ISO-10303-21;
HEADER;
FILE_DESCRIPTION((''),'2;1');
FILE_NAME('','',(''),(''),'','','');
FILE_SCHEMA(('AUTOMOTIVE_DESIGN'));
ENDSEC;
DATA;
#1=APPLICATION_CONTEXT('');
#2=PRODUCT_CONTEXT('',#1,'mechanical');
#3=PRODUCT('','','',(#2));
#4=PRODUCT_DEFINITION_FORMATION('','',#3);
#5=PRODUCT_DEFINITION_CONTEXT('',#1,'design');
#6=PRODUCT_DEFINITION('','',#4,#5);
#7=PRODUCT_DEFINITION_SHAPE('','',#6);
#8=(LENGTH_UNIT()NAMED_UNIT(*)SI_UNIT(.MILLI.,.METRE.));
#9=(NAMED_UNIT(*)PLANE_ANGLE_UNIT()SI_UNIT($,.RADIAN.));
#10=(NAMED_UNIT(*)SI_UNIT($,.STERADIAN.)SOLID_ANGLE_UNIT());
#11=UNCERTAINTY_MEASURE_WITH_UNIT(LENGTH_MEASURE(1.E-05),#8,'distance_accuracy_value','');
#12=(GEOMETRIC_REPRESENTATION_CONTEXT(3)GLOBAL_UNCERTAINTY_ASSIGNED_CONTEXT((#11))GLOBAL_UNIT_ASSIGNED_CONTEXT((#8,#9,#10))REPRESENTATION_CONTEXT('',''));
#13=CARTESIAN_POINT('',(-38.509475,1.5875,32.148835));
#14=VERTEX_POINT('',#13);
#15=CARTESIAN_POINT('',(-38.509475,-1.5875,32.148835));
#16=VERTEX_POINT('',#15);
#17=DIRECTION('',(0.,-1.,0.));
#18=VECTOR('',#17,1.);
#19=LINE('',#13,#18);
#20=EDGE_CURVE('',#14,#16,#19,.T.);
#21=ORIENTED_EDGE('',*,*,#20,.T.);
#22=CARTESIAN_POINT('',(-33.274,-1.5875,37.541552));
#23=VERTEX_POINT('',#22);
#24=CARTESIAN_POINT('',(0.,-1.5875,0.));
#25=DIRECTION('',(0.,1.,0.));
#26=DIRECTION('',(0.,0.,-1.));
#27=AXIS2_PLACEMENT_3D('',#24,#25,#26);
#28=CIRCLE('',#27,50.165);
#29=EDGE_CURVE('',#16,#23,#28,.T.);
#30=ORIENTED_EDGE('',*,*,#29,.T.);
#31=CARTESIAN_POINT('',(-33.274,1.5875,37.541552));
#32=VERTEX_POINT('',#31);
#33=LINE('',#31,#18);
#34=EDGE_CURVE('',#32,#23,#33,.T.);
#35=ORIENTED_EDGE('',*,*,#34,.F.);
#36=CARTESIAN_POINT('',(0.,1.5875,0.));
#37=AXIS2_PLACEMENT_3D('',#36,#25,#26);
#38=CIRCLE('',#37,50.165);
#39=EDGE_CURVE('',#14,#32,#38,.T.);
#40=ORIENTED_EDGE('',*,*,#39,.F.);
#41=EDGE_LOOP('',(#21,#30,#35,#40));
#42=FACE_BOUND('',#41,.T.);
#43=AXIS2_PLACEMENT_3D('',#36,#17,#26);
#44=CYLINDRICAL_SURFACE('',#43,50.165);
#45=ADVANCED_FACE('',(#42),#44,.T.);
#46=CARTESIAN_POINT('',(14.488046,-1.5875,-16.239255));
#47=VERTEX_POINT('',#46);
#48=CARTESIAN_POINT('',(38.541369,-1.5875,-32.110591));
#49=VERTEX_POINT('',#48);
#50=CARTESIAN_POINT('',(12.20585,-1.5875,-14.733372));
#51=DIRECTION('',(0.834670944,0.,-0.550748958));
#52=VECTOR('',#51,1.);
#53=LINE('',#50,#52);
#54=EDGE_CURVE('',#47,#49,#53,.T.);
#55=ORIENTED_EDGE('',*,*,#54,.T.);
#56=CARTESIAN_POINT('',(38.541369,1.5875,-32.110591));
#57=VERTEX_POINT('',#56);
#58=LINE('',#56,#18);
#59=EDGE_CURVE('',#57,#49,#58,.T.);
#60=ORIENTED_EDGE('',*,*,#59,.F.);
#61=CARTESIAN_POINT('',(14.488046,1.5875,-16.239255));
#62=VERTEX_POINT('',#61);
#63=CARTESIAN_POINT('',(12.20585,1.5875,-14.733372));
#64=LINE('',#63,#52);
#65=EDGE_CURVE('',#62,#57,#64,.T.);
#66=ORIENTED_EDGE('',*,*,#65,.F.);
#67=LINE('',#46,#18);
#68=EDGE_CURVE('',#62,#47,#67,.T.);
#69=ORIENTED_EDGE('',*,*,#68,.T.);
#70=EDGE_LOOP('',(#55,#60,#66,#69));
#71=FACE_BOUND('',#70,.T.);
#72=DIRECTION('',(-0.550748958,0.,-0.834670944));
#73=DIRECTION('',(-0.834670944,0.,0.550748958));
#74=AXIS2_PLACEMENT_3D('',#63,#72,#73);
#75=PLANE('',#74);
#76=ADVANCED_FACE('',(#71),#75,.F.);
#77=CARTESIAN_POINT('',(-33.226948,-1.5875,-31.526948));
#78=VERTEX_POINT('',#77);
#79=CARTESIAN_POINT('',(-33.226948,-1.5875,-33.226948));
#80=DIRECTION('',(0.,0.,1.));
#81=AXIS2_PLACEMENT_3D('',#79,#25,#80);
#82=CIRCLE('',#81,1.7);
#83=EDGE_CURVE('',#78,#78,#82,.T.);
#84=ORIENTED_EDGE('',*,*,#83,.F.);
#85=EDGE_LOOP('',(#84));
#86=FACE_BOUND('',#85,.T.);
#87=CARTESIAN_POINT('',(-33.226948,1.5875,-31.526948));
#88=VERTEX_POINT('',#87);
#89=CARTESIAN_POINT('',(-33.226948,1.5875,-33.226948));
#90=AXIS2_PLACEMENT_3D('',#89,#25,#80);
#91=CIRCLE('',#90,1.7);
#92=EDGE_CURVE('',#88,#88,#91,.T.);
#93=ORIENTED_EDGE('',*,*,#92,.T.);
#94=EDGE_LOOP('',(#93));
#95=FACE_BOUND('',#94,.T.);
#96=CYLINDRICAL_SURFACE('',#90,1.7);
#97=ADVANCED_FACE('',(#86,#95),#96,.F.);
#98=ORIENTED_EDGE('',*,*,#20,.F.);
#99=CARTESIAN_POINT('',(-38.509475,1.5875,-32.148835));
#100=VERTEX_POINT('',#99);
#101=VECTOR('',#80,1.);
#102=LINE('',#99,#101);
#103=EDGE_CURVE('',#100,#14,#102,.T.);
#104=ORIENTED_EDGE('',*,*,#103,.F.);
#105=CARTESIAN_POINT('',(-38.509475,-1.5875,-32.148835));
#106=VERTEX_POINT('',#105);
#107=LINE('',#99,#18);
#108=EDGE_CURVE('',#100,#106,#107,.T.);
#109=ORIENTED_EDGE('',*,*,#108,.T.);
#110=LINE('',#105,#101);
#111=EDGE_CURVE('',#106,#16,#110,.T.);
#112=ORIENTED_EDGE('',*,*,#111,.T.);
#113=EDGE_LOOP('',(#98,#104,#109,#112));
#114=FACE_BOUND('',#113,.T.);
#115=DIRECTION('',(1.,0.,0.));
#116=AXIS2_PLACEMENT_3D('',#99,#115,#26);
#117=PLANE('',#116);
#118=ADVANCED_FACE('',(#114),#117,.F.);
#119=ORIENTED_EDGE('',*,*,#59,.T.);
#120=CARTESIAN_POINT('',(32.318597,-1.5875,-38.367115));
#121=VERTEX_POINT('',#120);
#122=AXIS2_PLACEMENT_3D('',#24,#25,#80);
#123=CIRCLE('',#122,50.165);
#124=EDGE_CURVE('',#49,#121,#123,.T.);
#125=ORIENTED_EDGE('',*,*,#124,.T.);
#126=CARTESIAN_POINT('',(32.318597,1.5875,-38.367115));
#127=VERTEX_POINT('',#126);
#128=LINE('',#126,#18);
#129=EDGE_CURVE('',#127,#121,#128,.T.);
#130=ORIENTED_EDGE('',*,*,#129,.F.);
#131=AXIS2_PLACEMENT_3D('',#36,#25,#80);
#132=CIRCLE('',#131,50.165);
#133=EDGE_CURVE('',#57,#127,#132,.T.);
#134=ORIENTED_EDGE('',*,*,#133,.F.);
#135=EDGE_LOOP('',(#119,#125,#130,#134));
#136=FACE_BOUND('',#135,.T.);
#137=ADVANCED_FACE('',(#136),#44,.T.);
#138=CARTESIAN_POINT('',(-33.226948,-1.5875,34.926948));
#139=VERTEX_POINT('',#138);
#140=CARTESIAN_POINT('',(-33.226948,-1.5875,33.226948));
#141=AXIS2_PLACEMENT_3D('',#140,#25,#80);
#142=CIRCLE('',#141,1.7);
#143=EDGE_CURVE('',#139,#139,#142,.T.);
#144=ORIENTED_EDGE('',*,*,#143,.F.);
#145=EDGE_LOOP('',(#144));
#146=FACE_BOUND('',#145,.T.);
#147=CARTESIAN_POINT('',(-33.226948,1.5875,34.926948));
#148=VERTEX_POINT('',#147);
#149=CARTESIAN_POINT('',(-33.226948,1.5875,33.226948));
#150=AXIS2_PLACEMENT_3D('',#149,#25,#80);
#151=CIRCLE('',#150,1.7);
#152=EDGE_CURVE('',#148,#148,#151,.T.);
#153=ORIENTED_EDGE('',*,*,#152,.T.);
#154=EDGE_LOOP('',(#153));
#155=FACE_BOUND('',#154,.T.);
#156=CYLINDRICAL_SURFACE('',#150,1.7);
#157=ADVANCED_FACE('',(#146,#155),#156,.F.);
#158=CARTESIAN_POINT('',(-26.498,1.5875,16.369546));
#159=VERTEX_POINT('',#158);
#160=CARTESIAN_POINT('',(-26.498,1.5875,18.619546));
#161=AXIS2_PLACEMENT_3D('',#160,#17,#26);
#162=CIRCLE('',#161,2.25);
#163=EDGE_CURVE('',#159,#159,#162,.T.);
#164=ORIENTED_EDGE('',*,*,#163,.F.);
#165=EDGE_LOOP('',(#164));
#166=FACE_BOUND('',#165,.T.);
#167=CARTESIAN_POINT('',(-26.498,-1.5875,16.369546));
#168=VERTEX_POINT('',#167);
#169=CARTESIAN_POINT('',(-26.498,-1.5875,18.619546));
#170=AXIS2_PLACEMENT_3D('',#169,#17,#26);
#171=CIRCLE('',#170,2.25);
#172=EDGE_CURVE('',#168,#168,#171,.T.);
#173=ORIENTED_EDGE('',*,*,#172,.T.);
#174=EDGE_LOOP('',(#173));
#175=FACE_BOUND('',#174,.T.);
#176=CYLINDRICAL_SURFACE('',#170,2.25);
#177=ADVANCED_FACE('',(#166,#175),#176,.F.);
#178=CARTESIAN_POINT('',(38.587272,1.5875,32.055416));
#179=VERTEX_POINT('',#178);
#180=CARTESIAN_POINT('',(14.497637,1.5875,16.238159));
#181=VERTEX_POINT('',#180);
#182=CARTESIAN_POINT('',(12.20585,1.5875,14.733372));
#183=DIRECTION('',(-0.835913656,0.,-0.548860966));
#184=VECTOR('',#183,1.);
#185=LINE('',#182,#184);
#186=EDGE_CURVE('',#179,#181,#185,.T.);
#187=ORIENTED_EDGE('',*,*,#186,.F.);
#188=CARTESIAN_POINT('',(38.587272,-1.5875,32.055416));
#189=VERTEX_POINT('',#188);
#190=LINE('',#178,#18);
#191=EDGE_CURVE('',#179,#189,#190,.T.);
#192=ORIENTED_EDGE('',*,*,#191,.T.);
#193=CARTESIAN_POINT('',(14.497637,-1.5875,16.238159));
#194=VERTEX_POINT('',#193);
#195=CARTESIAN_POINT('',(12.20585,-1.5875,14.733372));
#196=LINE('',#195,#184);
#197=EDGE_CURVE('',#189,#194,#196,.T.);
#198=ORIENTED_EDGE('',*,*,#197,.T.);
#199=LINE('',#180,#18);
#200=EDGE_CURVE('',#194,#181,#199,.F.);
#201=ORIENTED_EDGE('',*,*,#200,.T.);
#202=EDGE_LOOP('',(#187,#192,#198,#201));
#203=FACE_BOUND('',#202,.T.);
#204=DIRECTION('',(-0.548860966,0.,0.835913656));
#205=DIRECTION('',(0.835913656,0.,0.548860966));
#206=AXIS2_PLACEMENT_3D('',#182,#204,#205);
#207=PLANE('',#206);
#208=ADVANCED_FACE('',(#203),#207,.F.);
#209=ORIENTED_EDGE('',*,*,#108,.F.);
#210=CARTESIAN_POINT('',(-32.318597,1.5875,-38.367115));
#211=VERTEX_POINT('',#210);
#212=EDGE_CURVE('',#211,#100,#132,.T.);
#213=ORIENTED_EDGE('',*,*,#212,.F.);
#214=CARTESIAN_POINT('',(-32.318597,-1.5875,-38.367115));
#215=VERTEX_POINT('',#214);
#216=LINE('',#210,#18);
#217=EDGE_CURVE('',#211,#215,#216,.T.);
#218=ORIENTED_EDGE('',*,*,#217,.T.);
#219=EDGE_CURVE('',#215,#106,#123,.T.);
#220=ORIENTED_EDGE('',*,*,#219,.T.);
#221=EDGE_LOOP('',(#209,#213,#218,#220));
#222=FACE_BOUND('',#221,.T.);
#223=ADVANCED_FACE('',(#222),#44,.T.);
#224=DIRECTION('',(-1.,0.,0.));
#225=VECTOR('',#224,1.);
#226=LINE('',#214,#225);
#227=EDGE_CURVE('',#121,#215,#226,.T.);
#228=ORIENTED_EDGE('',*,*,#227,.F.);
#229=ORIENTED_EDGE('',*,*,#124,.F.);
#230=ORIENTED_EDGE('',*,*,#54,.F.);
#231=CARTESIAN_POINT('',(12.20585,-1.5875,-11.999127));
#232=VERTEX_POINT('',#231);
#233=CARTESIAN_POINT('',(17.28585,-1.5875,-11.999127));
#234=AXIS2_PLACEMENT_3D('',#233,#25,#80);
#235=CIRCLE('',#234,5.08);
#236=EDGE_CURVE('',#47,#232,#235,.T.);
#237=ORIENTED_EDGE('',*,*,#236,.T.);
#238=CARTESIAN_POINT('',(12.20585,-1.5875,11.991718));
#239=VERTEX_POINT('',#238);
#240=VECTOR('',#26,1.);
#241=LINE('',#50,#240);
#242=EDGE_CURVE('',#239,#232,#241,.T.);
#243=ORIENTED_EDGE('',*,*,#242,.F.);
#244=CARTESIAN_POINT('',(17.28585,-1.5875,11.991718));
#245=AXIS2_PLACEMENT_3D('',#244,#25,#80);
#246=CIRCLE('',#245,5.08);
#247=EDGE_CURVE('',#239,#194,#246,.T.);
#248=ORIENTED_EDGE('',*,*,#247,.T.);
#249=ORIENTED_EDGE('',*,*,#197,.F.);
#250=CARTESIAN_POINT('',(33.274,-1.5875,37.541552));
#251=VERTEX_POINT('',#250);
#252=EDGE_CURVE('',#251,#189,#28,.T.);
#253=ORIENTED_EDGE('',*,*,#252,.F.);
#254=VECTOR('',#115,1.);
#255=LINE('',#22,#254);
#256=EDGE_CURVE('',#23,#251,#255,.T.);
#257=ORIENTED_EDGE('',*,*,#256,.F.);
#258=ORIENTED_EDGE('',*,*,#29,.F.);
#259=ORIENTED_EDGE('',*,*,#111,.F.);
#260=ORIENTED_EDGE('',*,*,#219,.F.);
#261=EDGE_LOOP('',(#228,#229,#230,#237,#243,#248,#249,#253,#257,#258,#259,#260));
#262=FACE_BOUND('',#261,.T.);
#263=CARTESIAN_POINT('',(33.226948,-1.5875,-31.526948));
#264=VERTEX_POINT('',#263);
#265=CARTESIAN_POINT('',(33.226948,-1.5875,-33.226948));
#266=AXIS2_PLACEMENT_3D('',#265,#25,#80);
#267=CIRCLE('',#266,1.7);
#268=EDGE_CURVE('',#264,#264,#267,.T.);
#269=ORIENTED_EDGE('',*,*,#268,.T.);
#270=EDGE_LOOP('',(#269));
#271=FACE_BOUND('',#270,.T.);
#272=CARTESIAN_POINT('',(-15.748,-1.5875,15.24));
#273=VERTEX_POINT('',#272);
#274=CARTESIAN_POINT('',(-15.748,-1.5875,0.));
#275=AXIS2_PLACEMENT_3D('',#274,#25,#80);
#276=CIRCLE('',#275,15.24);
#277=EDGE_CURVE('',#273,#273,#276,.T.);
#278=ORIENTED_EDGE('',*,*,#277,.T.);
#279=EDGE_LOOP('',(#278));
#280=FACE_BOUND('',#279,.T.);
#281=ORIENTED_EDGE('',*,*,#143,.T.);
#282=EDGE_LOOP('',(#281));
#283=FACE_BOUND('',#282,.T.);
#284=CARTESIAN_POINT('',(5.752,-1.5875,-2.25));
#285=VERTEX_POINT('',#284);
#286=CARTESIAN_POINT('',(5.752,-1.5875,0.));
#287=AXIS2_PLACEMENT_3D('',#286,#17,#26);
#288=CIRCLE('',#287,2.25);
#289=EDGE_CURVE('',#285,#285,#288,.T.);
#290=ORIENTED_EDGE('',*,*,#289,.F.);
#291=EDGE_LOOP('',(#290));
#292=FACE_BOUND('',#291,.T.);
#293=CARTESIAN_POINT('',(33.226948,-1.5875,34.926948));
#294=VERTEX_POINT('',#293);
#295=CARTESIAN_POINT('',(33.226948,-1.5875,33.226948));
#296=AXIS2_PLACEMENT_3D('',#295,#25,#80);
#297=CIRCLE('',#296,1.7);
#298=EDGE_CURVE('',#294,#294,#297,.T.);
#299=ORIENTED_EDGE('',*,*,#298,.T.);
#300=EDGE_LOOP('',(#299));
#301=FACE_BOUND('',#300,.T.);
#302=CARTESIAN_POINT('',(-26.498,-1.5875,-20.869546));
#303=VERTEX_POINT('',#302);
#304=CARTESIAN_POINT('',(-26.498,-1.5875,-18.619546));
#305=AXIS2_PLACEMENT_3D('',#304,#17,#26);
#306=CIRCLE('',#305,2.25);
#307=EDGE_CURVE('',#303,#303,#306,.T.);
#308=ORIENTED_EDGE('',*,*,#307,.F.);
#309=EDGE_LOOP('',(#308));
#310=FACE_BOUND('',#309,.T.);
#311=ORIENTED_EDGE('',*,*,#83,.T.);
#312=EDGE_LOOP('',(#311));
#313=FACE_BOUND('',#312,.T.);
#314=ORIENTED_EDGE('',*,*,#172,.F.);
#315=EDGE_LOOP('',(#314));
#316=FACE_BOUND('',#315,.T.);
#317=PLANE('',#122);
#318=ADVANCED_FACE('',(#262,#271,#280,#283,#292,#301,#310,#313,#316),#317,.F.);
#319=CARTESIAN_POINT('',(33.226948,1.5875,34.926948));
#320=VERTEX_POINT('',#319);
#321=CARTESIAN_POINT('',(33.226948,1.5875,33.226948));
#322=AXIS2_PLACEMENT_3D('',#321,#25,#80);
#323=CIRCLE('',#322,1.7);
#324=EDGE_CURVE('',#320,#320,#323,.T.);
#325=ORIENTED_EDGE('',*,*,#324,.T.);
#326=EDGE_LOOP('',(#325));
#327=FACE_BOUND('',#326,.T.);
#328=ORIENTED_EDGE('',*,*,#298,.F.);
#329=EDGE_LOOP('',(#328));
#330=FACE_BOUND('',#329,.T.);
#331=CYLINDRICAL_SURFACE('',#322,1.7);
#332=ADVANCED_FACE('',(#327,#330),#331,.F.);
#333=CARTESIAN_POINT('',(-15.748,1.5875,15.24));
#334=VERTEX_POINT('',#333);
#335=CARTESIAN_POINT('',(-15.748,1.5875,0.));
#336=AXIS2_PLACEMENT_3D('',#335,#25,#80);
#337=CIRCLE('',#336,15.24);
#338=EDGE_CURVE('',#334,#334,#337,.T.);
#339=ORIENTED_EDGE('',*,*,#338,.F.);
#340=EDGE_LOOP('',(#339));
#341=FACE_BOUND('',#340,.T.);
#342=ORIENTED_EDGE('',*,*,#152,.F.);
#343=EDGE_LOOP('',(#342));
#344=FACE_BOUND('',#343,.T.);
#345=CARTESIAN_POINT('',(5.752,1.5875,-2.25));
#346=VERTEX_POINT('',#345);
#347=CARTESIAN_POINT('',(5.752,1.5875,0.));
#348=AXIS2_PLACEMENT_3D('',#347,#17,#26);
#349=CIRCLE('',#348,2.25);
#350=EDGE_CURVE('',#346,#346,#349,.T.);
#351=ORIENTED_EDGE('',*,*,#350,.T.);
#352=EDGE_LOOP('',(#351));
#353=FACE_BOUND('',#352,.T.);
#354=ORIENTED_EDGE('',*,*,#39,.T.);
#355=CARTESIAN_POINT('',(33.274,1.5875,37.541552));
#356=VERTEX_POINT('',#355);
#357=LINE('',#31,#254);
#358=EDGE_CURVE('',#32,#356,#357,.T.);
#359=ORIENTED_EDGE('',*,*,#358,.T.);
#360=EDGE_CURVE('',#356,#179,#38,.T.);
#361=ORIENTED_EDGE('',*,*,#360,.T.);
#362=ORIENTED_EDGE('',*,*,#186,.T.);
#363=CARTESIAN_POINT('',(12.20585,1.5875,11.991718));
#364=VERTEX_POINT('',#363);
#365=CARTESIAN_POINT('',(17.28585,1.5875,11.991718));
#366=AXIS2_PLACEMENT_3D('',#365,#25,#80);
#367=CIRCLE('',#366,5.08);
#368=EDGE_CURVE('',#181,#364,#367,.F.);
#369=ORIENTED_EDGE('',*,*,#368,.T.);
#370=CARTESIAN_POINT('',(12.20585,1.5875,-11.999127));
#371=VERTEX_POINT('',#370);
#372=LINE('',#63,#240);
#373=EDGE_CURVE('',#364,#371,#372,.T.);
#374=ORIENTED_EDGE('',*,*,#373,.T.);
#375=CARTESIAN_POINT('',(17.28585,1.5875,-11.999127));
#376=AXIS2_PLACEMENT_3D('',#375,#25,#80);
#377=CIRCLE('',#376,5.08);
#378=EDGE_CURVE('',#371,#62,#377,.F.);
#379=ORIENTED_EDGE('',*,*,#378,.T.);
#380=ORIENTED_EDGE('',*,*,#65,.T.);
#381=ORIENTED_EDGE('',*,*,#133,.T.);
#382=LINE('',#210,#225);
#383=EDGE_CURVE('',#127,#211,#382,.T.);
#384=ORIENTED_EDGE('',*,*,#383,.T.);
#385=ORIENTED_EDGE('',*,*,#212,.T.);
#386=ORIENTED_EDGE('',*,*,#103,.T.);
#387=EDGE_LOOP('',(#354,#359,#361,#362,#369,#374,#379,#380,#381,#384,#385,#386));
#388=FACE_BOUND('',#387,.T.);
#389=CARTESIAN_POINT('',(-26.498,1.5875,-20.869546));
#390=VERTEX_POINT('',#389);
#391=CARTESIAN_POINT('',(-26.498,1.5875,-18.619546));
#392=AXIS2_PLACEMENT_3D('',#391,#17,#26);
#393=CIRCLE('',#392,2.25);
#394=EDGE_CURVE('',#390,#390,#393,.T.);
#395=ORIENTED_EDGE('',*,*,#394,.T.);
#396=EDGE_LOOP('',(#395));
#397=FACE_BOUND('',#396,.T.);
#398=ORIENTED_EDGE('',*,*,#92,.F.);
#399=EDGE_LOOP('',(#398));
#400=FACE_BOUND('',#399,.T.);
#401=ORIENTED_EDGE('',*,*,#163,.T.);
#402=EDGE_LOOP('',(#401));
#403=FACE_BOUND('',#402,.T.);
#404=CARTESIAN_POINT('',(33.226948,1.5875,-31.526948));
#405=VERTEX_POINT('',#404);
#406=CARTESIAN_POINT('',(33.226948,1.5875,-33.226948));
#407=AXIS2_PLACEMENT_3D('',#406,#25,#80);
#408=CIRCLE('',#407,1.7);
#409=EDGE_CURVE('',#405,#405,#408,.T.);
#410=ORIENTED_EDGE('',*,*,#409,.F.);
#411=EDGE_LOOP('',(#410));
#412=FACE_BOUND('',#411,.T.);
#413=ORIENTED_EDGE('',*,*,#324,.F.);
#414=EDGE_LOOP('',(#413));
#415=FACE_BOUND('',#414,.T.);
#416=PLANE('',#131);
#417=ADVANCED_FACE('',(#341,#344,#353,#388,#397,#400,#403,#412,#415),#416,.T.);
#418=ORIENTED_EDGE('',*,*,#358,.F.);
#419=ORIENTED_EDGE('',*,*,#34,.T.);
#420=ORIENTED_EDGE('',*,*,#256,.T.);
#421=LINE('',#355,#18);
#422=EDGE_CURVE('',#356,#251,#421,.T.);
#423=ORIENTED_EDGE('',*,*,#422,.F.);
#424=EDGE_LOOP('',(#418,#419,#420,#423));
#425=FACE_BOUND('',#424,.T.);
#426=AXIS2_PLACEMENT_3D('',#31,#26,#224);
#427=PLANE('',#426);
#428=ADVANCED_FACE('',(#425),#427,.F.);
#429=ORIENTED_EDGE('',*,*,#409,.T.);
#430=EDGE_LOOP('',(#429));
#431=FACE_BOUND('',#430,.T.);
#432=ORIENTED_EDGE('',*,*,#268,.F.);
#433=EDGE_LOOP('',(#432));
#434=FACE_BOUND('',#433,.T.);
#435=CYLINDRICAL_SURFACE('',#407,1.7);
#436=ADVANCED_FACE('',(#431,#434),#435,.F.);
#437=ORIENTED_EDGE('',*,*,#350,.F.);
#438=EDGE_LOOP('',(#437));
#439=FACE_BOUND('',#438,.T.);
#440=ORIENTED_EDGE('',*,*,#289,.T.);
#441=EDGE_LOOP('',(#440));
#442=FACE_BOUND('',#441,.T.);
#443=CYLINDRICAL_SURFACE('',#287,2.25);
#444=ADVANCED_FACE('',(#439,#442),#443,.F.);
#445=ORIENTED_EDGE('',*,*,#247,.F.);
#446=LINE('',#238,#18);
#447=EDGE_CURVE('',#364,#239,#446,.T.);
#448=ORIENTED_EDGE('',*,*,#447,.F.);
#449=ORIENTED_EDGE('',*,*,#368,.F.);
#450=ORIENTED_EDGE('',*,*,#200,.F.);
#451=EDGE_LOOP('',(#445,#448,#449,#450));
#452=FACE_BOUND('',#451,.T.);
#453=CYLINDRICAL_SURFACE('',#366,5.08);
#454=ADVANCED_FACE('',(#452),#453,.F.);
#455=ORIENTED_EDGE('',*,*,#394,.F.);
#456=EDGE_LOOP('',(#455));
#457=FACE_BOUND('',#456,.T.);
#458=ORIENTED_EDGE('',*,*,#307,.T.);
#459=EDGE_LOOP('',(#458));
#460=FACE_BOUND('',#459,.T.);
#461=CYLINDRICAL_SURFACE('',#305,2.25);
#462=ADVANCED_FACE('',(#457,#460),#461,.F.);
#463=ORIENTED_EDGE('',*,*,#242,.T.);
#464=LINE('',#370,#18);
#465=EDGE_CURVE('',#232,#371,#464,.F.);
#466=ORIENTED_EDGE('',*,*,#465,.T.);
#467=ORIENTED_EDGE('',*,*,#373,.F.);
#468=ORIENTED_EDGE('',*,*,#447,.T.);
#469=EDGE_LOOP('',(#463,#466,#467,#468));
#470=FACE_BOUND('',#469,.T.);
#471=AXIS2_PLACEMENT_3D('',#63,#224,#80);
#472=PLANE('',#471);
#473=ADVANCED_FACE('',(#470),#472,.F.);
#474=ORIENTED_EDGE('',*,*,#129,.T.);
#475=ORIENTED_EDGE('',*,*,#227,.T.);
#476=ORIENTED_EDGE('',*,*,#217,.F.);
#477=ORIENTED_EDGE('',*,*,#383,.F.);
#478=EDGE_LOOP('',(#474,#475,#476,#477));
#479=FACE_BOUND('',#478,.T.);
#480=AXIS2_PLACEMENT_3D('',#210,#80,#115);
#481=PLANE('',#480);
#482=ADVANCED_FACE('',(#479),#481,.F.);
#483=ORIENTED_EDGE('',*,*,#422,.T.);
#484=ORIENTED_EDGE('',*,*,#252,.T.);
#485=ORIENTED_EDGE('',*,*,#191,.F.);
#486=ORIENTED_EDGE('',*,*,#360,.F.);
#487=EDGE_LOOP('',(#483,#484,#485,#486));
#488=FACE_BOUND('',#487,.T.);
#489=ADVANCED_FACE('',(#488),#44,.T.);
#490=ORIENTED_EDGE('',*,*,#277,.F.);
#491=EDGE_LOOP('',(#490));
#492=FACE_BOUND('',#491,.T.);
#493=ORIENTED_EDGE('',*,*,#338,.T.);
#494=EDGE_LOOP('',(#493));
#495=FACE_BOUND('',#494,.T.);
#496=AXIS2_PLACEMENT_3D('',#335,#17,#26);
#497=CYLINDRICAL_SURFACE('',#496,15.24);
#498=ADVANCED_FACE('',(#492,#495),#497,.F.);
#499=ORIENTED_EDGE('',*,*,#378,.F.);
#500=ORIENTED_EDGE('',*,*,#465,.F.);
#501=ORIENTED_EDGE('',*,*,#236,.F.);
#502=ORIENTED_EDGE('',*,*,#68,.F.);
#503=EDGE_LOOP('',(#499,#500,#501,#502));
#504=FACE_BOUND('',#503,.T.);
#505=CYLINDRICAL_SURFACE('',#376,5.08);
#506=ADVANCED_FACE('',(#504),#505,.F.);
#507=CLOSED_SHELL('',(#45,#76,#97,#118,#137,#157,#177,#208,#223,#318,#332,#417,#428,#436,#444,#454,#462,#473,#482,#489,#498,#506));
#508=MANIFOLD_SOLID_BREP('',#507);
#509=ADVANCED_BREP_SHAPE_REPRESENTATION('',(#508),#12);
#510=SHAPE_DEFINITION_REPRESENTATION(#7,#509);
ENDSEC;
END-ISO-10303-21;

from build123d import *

# Parameters (mm, degrees)
SKETCH1_R            = 15.24
BOSS_EXTRUDE1_DEPTH  = 1.5875
M3_CLEARANCE_HOLE1_D = 3.4
FILLET1_R            = 5.08
M4_CLEARANCE_HOLE2_D = 4.5
CIRPATTERN1_COUNT    = 3


with BuildPart() as part:
    # Sketch1 → Boss-Extrude1 (new, symmetric)
    with BuildSketch(Plane(origin=(0, 0, 0), x_dir=(1, 0, 0), z_dir=(0, 1, 0))):
        with BuildLine():
            Line((-38.50947489, 32.14883464), (-38.50947489, -32.14883464))
            ThreePointArc((-38.50947489, -32.14883464), (-35.992876625, -34.943383598), (-33.274, -37.541552299))
            Line((-33.274, -37.541552299), (33.274, -37.541552299))
            ThreePointArc((33.274, -37.541552299), (36.035191498, -34.899744966), (38.587271968, -32.055415565))
            Line((38.587271968, -32.055415565), (12.205850338, -14.733372241))
            Line((12.205850338, -14.733372241), (12.205850338, 14.733372241))
            Line((12.205850338, 14.733372241), (38.541369471, 32.110591154))
            ThreePointArc((38.541369471, 32.110591154), (35.567819018, 35.375944868), (32.318597457, 38.367114609))
            Line((32.318597457, 38.367114609), (-32.318597457, 38.367114609))
            ThreePointArc((-32.318597457, 38.367114609), (-35.55025611, 35.393594272), (-38.50947489, 32.14883464))
        make_face()
        with Locations((-15.748, 0)):
            Circle(SKETCH1_R, mode=Mode.SUBTRACT)
    extrude(amount=BOSS_EXTRUDE1_DEPTH, both=True)

    # M3 Clearance Hole1 (through all)
    with Locations(Plane(origin=(0, 1.5875, 0), x_dir=(1, 0, 0), z_dir=(0, 1, 0))):
        with Locations((-33.226947648, 33.226947648), (33.226947648, 33.226947648), (33.226947648, -33.226947648), (-33.226947648, -33.226947648)):
            Hole(M3_CLEARANCE_HOLE1_D / 2)

    # Fillet1
    fillet1_edges = [part.edges().sort_by_distance(p)[0] for p in [
        (12.205850338, 0, -14.733372241),
        (12.205850338, 0, 14.733372241),
    ]]
    fillet(fillet1_edges, radius=FILLET1_R)

    # M4 Clearance Hole2 (through all)
    with Locations(Plane(origin=(0, -1.5875, 0), x_dir=(-1, 0, 0), z_dir=(0, -1, 0))):
        with Locations((-5.752, 0)):
            m4_clearance_hole2 = Hole(M4_CLEARANCE_HOLE2_D / 2)

    # CirPattern1: M4 Clearance Hole2 ×3 about axis
    cirpattern1_axis = Axis((-15.748, 0, 0), (0, -1, 0))
    for i in range(1, CIRPATTERN1_COUNT):
        add(m4_clearance_hole2.rotate(cirpattern1_axis, i * 360 / CIRPATTERN1_COUNT), mode=Mode.SUBTRACT)


solid = part.part
